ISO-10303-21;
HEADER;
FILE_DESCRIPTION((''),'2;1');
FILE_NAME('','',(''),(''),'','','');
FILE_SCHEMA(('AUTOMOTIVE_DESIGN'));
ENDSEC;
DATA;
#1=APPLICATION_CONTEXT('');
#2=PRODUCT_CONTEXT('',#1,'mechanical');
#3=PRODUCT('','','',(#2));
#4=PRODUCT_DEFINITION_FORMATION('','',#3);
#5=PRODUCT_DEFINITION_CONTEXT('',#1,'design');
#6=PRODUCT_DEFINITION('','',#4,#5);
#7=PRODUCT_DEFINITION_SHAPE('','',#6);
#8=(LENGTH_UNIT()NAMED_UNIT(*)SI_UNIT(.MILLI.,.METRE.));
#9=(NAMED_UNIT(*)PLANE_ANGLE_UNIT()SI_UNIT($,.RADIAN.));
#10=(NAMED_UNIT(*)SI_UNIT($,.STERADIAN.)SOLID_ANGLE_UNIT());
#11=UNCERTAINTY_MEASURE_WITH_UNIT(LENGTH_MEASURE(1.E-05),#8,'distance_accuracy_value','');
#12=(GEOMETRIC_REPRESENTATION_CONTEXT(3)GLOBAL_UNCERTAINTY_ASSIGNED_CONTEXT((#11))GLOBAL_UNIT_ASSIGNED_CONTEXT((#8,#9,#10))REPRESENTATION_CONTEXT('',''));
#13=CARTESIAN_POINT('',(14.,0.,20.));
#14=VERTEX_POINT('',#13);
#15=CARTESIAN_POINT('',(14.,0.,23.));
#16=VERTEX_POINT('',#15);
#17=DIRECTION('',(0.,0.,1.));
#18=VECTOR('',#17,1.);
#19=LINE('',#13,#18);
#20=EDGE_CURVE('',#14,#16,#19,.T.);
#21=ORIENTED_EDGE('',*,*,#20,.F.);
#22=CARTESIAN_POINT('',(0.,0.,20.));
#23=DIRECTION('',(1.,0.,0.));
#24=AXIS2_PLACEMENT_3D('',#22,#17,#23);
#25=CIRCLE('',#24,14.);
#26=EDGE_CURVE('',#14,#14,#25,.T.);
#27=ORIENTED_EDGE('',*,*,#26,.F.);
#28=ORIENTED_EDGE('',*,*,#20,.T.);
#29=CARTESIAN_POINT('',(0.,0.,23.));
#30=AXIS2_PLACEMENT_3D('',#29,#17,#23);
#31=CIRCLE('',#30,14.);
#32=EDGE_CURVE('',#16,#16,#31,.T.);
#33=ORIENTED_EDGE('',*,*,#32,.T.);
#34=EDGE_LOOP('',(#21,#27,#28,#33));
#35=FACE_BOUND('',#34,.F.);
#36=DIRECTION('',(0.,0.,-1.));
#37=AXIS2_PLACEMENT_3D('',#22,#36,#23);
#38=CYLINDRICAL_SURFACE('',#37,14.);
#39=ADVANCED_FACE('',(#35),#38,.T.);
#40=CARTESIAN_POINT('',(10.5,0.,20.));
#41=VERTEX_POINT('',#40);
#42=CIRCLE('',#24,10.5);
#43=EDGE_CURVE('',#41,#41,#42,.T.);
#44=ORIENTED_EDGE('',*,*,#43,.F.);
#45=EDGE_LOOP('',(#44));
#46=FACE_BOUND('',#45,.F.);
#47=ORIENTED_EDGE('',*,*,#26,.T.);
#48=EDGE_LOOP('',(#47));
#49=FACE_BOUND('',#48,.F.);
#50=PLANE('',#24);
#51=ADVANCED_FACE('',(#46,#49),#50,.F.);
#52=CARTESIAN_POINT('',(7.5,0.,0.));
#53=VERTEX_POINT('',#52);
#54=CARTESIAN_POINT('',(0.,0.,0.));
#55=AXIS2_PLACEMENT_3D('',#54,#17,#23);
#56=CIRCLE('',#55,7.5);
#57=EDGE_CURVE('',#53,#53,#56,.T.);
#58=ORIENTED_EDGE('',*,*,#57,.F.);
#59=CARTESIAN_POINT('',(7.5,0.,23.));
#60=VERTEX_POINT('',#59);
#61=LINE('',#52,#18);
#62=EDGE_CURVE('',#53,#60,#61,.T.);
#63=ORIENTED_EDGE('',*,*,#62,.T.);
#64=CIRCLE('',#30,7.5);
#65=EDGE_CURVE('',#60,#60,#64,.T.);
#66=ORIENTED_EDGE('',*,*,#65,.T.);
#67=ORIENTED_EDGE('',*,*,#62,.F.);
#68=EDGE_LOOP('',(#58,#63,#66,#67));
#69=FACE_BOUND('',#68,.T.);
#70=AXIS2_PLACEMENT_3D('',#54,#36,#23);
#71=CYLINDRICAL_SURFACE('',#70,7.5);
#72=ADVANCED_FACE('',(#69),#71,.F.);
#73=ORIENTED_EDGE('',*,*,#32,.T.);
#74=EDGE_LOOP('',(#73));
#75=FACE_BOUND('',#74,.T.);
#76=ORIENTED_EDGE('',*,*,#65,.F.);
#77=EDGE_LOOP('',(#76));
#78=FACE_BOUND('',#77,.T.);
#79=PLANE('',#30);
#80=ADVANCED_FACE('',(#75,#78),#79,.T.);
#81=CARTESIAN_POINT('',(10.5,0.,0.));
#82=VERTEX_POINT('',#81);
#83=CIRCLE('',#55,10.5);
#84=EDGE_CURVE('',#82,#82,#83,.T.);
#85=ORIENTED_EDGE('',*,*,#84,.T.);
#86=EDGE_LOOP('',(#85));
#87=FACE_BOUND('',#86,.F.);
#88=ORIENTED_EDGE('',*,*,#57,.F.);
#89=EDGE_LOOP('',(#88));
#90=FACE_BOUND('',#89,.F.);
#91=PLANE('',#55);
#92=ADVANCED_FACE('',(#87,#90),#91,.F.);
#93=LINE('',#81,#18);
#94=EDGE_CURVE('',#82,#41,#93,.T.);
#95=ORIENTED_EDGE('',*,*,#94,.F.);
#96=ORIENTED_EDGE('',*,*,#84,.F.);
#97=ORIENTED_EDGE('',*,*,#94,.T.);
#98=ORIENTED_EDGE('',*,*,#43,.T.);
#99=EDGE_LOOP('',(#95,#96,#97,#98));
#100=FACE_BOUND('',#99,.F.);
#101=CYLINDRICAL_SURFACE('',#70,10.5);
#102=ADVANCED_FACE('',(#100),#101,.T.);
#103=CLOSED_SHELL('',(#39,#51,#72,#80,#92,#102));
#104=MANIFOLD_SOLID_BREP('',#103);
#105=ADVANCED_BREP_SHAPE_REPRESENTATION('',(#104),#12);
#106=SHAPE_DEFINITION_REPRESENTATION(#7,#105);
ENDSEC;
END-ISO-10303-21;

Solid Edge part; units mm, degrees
sketch "Sketch1" plane through (0, 0, 0) normal (0, 0, 1) x (1, 0, 0)
  circle A0 centre (0, 0) radius 10.5
  circle A1 centre (0, 0) radius 7.5
extrude "Protrusion1" add sketch "Sketch1" along normal blind 20
sketch "Sketch2" plane through (0, 0, 20) normal (0, 0, 1) x (1, 0, 0)
  circle A0 centre (0, 0) radius 14
  circle A1 centre (0, 0) radius 7.5
extrude "ExtrudedProtrusion_2" add sketch "Sketch2" along normal blind 3
properties material "Polyurethene"
